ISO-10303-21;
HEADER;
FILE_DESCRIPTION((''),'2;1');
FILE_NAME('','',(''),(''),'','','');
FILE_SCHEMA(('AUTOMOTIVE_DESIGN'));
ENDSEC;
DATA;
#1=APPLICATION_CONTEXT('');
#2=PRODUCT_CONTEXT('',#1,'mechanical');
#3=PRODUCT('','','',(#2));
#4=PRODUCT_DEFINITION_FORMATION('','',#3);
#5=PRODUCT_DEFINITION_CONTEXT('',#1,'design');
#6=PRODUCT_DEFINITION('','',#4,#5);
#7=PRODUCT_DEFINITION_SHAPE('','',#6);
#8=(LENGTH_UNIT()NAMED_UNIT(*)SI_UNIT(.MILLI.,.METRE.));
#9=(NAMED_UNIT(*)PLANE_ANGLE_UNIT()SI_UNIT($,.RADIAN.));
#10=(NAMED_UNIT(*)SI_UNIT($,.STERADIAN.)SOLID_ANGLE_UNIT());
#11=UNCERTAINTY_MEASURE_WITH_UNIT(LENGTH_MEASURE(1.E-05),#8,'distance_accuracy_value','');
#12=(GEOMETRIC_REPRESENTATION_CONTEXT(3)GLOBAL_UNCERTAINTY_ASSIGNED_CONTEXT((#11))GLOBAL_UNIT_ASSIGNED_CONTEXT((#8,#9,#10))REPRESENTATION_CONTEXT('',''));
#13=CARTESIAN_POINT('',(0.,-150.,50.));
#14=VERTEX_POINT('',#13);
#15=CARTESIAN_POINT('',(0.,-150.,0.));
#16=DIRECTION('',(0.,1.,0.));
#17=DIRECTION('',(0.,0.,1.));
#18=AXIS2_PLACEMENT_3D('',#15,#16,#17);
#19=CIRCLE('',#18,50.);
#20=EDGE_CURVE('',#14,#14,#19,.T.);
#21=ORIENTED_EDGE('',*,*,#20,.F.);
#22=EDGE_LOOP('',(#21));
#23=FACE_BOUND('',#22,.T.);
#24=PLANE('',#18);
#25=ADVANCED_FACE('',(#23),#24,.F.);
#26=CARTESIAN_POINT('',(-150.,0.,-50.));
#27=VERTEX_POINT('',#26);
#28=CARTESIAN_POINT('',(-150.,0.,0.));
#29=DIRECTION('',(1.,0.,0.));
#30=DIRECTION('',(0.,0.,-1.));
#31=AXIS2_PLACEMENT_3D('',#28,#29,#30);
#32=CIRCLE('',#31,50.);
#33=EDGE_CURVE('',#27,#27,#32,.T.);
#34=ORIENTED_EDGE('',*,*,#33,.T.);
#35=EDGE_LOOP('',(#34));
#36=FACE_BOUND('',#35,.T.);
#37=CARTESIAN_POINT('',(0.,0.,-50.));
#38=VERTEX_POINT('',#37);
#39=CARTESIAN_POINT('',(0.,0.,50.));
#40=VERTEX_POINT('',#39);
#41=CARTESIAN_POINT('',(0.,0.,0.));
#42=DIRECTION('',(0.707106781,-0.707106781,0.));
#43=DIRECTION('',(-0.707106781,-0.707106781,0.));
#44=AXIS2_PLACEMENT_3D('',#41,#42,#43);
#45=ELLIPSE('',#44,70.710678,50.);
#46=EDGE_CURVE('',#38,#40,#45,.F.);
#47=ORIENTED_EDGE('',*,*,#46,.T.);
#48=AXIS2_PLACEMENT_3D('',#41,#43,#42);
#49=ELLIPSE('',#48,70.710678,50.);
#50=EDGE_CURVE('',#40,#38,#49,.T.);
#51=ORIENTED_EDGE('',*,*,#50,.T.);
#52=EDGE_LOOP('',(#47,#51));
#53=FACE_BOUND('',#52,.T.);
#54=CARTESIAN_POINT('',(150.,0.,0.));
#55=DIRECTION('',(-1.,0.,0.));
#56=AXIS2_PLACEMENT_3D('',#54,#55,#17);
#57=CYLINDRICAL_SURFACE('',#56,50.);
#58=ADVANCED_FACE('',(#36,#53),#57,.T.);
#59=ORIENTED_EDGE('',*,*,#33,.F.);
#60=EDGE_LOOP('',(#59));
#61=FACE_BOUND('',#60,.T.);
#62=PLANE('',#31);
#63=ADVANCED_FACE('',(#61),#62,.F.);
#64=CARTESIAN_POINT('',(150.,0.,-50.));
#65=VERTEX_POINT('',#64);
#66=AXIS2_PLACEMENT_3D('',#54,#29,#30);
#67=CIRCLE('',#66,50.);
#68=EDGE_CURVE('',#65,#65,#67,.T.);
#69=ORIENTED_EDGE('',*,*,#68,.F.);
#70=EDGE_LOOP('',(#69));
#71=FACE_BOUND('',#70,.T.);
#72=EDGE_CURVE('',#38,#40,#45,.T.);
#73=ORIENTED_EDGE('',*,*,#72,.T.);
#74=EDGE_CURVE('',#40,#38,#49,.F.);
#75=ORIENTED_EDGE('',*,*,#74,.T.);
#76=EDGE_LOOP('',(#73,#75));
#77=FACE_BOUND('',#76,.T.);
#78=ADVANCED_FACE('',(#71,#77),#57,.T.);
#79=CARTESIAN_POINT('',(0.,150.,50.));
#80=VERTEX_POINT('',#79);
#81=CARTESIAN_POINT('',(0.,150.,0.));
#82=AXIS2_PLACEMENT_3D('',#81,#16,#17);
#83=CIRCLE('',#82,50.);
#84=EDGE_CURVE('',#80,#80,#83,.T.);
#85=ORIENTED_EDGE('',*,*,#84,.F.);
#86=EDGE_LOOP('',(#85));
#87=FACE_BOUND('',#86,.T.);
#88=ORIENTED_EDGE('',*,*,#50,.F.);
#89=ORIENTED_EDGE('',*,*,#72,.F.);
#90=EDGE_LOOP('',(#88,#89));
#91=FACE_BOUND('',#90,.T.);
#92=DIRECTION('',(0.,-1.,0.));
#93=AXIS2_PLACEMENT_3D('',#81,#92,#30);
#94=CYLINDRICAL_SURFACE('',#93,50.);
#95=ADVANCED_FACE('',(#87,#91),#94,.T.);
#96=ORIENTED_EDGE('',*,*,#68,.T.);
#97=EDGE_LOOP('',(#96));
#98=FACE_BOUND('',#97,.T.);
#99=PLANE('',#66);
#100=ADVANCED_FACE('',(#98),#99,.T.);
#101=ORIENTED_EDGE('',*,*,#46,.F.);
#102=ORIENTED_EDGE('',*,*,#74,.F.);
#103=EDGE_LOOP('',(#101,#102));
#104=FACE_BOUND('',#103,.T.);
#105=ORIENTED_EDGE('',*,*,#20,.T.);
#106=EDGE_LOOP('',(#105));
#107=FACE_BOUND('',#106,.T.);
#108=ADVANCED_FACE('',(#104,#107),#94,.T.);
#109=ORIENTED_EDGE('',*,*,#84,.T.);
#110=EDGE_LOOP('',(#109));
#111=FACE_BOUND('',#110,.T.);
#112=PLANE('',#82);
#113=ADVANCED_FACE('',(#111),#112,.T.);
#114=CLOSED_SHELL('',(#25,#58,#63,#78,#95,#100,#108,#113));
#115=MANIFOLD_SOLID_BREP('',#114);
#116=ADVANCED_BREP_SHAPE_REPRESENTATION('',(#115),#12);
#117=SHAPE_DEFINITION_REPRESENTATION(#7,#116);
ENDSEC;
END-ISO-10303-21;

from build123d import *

# Parameters (mm, degrees)
SKETCH1_R           = 50
BOSS_EXTRUDE1_DEPTH = 150
SKETCH2_R           = 50
BOSS_EXTRUDE2_DEPTH = 150


with BuildPart() as part:
    # Sketch1 → Boss-Extrude1 (new, symmetric)
    with BuildSketch(Plane(origin=(0, 0, 0), x_dir=(1, 0, 0), z_dir=(0, 1, 0))):
        with Locations(Location((0, 0, 0), (0, 0, 270))):
            Circle(SKETCH1_R)
    extrude(amount=BOSS_EXTRUDE1_DEPTH, both=True)

    # Sketch2 → Boss-Extrude2 (add, symmetric)
    with BuildSketch(Plane(origin=(0, 0, 0), x_dir=(0, 0, -1), z_dir=(1, 0, 0))):
        Circle(SKETCH2_R)
    extrude(amount=BOSS_EXTRUDE2_DEPTH, both=True)


solid = part.part
